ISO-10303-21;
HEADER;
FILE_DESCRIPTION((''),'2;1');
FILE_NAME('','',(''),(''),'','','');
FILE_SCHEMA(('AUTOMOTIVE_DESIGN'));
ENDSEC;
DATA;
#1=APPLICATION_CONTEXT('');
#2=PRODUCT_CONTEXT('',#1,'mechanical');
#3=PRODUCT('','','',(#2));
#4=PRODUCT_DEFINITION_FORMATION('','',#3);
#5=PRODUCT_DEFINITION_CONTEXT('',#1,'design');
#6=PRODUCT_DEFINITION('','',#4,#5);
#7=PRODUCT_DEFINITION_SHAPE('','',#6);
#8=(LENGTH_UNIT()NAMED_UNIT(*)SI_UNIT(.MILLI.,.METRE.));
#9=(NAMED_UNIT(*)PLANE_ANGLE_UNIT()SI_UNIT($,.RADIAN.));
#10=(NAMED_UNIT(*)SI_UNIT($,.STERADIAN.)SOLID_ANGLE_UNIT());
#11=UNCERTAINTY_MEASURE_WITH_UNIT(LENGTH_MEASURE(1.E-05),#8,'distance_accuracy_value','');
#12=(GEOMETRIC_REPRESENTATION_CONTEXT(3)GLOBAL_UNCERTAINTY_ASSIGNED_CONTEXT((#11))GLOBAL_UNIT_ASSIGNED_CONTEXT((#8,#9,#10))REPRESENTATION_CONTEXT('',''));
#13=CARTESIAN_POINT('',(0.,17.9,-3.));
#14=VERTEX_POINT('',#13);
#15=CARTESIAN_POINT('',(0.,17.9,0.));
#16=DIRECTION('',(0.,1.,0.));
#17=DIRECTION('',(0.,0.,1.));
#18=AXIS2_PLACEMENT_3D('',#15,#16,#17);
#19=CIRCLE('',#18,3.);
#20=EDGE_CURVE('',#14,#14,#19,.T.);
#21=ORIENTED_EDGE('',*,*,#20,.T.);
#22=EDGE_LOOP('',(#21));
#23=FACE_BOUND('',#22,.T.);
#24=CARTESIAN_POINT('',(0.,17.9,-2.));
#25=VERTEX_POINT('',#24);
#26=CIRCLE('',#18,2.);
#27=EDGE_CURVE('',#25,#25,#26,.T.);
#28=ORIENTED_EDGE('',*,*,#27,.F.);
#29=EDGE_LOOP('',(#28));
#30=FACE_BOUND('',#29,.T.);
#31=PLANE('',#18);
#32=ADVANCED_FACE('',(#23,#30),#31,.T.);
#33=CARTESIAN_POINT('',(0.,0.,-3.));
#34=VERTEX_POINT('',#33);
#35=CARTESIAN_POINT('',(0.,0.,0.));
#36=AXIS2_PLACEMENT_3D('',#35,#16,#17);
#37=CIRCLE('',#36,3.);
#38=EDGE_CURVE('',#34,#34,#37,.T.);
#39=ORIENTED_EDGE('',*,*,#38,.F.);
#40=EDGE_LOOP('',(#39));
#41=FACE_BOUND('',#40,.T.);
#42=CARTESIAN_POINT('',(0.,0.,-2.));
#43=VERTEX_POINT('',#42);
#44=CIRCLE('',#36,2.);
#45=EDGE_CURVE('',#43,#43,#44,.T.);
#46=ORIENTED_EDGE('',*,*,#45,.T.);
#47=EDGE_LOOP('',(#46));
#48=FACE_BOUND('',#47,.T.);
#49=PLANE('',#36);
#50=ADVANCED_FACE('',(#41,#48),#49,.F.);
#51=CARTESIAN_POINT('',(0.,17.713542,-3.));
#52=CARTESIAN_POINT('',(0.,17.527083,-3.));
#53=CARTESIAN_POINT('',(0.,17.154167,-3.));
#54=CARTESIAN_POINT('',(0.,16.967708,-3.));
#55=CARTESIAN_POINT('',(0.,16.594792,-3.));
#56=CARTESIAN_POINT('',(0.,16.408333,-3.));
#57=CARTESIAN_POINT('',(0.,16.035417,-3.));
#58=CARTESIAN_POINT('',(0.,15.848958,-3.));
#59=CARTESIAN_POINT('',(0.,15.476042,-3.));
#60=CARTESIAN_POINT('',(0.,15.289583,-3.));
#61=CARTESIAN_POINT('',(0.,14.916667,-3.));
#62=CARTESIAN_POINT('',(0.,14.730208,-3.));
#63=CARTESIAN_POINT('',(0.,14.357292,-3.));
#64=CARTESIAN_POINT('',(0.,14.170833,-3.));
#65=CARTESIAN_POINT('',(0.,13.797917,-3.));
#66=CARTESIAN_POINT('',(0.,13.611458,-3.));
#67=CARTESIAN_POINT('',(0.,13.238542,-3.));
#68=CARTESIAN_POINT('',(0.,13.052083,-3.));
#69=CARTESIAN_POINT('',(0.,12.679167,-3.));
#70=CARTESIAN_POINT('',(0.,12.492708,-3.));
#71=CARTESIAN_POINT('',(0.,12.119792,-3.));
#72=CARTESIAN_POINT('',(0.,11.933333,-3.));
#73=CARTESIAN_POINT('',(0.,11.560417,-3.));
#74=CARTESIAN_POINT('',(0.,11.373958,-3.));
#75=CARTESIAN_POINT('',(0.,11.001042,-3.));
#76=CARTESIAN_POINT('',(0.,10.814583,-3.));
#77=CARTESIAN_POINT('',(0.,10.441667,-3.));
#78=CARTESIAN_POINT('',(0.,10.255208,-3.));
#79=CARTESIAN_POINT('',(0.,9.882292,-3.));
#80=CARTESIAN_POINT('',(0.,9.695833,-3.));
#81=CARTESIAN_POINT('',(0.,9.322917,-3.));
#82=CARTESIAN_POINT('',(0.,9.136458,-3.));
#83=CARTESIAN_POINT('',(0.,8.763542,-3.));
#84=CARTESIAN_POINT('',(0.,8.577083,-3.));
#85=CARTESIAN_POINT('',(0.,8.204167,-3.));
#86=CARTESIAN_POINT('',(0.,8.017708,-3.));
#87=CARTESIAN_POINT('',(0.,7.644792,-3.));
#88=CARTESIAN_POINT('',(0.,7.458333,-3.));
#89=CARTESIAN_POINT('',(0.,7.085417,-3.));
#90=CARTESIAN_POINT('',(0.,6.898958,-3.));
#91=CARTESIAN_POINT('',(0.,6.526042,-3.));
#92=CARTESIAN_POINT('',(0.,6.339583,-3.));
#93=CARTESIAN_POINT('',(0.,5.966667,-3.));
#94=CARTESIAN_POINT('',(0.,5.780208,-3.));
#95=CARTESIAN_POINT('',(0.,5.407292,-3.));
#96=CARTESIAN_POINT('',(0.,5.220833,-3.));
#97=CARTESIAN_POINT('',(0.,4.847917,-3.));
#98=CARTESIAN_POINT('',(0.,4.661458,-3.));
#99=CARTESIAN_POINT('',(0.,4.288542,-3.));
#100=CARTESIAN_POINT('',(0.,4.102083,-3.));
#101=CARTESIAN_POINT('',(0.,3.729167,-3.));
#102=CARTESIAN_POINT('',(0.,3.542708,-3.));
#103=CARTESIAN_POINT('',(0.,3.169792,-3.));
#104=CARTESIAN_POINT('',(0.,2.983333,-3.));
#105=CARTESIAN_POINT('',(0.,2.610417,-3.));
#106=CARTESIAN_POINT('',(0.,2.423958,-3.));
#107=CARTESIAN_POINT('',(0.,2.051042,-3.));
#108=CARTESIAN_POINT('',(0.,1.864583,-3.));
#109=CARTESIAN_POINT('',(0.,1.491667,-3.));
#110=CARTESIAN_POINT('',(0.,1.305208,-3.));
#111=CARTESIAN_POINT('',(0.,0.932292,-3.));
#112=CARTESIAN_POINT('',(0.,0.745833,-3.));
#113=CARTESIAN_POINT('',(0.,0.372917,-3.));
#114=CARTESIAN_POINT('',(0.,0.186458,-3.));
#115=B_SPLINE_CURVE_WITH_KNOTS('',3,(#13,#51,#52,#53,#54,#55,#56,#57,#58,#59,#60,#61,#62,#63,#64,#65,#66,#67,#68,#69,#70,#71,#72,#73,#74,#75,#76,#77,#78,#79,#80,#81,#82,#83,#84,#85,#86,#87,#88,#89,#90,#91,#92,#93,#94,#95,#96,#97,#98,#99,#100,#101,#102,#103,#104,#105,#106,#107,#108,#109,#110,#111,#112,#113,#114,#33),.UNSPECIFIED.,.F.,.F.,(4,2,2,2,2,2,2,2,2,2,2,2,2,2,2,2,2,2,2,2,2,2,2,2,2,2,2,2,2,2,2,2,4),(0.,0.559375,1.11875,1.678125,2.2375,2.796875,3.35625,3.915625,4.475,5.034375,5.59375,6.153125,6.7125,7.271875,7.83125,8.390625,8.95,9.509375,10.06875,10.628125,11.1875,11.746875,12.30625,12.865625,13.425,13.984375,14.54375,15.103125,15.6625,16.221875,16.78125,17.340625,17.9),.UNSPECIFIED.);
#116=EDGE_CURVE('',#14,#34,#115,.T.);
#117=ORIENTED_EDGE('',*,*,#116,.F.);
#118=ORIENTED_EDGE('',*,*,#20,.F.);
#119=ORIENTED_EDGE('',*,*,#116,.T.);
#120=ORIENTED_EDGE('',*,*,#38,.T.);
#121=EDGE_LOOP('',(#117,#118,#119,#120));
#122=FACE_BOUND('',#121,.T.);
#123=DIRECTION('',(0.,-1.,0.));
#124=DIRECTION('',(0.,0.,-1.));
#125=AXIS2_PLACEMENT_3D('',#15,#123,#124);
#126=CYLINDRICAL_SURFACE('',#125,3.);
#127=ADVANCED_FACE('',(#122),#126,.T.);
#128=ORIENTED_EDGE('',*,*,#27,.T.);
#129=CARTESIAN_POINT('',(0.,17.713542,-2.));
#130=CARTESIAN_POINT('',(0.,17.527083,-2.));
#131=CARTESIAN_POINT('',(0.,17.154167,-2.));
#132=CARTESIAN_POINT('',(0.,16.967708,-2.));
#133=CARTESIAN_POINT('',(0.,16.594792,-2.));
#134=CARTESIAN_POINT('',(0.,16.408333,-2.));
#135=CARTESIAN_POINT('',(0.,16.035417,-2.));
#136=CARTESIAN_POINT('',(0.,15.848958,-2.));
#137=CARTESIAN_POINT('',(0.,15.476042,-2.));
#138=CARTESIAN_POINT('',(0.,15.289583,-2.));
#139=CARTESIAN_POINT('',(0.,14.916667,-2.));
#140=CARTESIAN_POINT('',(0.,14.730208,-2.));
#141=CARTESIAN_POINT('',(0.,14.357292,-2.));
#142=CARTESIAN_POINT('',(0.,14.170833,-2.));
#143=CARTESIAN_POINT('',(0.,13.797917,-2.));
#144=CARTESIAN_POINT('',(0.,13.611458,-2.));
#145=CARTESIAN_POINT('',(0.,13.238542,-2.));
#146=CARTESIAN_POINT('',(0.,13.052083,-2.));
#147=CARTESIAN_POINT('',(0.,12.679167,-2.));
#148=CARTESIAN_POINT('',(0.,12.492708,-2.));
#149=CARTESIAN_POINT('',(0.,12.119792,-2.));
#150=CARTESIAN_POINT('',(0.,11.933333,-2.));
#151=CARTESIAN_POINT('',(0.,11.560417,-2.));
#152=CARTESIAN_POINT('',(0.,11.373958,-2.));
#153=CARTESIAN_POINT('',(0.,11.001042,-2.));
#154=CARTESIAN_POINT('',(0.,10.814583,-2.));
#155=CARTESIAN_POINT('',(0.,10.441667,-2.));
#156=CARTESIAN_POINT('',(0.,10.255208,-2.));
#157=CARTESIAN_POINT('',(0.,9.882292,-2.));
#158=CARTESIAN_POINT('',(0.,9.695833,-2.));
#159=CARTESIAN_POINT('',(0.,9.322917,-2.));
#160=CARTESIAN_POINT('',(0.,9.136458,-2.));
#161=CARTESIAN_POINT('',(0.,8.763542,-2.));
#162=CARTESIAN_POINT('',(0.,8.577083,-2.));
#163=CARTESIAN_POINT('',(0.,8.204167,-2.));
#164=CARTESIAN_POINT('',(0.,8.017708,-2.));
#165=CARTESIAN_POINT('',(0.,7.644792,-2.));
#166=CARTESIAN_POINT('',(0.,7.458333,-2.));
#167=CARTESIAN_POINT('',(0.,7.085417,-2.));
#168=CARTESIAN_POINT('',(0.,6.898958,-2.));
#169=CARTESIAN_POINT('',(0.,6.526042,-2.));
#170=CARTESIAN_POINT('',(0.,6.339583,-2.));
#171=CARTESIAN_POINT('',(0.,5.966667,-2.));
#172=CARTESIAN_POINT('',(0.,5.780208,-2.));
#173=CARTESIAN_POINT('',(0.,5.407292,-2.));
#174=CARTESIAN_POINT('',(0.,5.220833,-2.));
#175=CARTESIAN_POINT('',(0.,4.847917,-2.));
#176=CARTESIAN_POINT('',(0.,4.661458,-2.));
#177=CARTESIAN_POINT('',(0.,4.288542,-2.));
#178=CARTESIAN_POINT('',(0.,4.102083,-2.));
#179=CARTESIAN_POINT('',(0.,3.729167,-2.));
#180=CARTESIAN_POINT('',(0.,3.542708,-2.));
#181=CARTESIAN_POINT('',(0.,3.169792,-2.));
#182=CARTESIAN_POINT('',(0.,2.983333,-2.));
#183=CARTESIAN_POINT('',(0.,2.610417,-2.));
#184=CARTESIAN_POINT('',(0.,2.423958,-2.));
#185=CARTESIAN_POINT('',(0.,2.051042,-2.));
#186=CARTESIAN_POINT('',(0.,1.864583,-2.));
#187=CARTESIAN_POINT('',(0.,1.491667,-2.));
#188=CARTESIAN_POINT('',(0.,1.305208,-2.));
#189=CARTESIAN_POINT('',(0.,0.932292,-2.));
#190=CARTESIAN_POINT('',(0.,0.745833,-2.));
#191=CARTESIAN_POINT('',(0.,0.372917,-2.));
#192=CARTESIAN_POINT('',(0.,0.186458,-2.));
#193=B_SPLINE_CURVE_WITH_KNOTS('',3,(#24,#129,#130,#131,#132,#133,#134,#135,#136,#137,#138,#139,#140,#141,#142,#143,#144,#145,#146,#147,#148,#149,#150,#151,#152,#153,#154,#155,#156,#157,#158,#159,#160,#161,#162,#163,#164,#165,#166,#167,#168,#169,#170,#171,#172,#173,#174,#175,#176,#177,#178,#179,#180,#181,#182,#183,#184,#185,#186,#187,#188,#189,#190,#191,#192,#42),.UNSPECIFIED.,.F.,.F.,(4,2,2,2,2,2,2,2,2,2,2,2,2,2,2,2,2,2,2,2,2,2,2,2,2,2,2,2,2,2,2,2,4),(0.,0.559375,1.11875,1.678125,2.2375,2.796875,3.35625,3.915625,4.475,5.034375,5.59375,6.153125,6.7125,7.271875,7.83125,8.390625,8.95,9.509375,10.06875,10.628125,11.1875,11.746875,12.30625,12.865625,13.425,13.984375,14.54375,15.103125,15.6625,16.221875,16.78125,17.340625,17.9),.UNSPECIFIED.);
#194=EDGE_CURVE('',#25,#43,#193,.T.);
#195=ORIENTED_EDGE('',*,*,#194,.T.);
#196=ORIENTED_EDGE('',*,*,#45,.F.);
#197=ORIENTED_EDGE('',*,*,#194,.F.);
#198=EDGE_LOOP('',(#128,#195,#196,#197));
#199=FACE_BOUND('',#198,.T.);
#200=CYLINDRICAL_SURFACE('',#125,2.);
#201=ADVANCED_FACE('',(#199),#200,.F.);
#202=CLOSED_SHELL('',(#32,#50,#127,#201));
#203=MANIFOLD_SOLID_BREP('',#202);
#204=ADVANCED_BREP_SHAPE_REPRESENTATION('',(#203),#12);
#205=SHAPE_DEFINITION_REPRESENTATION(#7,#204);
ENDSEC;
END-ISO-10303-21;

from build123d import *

# Parameters (mm, degrees)
SKETCH_1_R      = 3
SKETCH_1_R_2    = 2
EXTRUDE_1_DEPTH = 17.9


with BuildPart() as part:
    # ｽｹｯﾁ1 → ﾎﾞｽ - 押し出し1 (new body)
    with BuildSketch(Plane(origin=(0, 0, 0), x_dir=(1, 0, 0), z_dir=(0, 1, 0))):
        with Locations(Location((0, 0, 0), (0, 0, 90))):
            Circle(SKETCH_1_R)
        with Locations(Location((0, 0, 0), (0, 0, 90))):
            Circle(SKETCH_1_R_2, mode=Mode.SUBTRACT)
    extrude(amount=EXTRUDE_1_DEPTH)


solid = part.part
